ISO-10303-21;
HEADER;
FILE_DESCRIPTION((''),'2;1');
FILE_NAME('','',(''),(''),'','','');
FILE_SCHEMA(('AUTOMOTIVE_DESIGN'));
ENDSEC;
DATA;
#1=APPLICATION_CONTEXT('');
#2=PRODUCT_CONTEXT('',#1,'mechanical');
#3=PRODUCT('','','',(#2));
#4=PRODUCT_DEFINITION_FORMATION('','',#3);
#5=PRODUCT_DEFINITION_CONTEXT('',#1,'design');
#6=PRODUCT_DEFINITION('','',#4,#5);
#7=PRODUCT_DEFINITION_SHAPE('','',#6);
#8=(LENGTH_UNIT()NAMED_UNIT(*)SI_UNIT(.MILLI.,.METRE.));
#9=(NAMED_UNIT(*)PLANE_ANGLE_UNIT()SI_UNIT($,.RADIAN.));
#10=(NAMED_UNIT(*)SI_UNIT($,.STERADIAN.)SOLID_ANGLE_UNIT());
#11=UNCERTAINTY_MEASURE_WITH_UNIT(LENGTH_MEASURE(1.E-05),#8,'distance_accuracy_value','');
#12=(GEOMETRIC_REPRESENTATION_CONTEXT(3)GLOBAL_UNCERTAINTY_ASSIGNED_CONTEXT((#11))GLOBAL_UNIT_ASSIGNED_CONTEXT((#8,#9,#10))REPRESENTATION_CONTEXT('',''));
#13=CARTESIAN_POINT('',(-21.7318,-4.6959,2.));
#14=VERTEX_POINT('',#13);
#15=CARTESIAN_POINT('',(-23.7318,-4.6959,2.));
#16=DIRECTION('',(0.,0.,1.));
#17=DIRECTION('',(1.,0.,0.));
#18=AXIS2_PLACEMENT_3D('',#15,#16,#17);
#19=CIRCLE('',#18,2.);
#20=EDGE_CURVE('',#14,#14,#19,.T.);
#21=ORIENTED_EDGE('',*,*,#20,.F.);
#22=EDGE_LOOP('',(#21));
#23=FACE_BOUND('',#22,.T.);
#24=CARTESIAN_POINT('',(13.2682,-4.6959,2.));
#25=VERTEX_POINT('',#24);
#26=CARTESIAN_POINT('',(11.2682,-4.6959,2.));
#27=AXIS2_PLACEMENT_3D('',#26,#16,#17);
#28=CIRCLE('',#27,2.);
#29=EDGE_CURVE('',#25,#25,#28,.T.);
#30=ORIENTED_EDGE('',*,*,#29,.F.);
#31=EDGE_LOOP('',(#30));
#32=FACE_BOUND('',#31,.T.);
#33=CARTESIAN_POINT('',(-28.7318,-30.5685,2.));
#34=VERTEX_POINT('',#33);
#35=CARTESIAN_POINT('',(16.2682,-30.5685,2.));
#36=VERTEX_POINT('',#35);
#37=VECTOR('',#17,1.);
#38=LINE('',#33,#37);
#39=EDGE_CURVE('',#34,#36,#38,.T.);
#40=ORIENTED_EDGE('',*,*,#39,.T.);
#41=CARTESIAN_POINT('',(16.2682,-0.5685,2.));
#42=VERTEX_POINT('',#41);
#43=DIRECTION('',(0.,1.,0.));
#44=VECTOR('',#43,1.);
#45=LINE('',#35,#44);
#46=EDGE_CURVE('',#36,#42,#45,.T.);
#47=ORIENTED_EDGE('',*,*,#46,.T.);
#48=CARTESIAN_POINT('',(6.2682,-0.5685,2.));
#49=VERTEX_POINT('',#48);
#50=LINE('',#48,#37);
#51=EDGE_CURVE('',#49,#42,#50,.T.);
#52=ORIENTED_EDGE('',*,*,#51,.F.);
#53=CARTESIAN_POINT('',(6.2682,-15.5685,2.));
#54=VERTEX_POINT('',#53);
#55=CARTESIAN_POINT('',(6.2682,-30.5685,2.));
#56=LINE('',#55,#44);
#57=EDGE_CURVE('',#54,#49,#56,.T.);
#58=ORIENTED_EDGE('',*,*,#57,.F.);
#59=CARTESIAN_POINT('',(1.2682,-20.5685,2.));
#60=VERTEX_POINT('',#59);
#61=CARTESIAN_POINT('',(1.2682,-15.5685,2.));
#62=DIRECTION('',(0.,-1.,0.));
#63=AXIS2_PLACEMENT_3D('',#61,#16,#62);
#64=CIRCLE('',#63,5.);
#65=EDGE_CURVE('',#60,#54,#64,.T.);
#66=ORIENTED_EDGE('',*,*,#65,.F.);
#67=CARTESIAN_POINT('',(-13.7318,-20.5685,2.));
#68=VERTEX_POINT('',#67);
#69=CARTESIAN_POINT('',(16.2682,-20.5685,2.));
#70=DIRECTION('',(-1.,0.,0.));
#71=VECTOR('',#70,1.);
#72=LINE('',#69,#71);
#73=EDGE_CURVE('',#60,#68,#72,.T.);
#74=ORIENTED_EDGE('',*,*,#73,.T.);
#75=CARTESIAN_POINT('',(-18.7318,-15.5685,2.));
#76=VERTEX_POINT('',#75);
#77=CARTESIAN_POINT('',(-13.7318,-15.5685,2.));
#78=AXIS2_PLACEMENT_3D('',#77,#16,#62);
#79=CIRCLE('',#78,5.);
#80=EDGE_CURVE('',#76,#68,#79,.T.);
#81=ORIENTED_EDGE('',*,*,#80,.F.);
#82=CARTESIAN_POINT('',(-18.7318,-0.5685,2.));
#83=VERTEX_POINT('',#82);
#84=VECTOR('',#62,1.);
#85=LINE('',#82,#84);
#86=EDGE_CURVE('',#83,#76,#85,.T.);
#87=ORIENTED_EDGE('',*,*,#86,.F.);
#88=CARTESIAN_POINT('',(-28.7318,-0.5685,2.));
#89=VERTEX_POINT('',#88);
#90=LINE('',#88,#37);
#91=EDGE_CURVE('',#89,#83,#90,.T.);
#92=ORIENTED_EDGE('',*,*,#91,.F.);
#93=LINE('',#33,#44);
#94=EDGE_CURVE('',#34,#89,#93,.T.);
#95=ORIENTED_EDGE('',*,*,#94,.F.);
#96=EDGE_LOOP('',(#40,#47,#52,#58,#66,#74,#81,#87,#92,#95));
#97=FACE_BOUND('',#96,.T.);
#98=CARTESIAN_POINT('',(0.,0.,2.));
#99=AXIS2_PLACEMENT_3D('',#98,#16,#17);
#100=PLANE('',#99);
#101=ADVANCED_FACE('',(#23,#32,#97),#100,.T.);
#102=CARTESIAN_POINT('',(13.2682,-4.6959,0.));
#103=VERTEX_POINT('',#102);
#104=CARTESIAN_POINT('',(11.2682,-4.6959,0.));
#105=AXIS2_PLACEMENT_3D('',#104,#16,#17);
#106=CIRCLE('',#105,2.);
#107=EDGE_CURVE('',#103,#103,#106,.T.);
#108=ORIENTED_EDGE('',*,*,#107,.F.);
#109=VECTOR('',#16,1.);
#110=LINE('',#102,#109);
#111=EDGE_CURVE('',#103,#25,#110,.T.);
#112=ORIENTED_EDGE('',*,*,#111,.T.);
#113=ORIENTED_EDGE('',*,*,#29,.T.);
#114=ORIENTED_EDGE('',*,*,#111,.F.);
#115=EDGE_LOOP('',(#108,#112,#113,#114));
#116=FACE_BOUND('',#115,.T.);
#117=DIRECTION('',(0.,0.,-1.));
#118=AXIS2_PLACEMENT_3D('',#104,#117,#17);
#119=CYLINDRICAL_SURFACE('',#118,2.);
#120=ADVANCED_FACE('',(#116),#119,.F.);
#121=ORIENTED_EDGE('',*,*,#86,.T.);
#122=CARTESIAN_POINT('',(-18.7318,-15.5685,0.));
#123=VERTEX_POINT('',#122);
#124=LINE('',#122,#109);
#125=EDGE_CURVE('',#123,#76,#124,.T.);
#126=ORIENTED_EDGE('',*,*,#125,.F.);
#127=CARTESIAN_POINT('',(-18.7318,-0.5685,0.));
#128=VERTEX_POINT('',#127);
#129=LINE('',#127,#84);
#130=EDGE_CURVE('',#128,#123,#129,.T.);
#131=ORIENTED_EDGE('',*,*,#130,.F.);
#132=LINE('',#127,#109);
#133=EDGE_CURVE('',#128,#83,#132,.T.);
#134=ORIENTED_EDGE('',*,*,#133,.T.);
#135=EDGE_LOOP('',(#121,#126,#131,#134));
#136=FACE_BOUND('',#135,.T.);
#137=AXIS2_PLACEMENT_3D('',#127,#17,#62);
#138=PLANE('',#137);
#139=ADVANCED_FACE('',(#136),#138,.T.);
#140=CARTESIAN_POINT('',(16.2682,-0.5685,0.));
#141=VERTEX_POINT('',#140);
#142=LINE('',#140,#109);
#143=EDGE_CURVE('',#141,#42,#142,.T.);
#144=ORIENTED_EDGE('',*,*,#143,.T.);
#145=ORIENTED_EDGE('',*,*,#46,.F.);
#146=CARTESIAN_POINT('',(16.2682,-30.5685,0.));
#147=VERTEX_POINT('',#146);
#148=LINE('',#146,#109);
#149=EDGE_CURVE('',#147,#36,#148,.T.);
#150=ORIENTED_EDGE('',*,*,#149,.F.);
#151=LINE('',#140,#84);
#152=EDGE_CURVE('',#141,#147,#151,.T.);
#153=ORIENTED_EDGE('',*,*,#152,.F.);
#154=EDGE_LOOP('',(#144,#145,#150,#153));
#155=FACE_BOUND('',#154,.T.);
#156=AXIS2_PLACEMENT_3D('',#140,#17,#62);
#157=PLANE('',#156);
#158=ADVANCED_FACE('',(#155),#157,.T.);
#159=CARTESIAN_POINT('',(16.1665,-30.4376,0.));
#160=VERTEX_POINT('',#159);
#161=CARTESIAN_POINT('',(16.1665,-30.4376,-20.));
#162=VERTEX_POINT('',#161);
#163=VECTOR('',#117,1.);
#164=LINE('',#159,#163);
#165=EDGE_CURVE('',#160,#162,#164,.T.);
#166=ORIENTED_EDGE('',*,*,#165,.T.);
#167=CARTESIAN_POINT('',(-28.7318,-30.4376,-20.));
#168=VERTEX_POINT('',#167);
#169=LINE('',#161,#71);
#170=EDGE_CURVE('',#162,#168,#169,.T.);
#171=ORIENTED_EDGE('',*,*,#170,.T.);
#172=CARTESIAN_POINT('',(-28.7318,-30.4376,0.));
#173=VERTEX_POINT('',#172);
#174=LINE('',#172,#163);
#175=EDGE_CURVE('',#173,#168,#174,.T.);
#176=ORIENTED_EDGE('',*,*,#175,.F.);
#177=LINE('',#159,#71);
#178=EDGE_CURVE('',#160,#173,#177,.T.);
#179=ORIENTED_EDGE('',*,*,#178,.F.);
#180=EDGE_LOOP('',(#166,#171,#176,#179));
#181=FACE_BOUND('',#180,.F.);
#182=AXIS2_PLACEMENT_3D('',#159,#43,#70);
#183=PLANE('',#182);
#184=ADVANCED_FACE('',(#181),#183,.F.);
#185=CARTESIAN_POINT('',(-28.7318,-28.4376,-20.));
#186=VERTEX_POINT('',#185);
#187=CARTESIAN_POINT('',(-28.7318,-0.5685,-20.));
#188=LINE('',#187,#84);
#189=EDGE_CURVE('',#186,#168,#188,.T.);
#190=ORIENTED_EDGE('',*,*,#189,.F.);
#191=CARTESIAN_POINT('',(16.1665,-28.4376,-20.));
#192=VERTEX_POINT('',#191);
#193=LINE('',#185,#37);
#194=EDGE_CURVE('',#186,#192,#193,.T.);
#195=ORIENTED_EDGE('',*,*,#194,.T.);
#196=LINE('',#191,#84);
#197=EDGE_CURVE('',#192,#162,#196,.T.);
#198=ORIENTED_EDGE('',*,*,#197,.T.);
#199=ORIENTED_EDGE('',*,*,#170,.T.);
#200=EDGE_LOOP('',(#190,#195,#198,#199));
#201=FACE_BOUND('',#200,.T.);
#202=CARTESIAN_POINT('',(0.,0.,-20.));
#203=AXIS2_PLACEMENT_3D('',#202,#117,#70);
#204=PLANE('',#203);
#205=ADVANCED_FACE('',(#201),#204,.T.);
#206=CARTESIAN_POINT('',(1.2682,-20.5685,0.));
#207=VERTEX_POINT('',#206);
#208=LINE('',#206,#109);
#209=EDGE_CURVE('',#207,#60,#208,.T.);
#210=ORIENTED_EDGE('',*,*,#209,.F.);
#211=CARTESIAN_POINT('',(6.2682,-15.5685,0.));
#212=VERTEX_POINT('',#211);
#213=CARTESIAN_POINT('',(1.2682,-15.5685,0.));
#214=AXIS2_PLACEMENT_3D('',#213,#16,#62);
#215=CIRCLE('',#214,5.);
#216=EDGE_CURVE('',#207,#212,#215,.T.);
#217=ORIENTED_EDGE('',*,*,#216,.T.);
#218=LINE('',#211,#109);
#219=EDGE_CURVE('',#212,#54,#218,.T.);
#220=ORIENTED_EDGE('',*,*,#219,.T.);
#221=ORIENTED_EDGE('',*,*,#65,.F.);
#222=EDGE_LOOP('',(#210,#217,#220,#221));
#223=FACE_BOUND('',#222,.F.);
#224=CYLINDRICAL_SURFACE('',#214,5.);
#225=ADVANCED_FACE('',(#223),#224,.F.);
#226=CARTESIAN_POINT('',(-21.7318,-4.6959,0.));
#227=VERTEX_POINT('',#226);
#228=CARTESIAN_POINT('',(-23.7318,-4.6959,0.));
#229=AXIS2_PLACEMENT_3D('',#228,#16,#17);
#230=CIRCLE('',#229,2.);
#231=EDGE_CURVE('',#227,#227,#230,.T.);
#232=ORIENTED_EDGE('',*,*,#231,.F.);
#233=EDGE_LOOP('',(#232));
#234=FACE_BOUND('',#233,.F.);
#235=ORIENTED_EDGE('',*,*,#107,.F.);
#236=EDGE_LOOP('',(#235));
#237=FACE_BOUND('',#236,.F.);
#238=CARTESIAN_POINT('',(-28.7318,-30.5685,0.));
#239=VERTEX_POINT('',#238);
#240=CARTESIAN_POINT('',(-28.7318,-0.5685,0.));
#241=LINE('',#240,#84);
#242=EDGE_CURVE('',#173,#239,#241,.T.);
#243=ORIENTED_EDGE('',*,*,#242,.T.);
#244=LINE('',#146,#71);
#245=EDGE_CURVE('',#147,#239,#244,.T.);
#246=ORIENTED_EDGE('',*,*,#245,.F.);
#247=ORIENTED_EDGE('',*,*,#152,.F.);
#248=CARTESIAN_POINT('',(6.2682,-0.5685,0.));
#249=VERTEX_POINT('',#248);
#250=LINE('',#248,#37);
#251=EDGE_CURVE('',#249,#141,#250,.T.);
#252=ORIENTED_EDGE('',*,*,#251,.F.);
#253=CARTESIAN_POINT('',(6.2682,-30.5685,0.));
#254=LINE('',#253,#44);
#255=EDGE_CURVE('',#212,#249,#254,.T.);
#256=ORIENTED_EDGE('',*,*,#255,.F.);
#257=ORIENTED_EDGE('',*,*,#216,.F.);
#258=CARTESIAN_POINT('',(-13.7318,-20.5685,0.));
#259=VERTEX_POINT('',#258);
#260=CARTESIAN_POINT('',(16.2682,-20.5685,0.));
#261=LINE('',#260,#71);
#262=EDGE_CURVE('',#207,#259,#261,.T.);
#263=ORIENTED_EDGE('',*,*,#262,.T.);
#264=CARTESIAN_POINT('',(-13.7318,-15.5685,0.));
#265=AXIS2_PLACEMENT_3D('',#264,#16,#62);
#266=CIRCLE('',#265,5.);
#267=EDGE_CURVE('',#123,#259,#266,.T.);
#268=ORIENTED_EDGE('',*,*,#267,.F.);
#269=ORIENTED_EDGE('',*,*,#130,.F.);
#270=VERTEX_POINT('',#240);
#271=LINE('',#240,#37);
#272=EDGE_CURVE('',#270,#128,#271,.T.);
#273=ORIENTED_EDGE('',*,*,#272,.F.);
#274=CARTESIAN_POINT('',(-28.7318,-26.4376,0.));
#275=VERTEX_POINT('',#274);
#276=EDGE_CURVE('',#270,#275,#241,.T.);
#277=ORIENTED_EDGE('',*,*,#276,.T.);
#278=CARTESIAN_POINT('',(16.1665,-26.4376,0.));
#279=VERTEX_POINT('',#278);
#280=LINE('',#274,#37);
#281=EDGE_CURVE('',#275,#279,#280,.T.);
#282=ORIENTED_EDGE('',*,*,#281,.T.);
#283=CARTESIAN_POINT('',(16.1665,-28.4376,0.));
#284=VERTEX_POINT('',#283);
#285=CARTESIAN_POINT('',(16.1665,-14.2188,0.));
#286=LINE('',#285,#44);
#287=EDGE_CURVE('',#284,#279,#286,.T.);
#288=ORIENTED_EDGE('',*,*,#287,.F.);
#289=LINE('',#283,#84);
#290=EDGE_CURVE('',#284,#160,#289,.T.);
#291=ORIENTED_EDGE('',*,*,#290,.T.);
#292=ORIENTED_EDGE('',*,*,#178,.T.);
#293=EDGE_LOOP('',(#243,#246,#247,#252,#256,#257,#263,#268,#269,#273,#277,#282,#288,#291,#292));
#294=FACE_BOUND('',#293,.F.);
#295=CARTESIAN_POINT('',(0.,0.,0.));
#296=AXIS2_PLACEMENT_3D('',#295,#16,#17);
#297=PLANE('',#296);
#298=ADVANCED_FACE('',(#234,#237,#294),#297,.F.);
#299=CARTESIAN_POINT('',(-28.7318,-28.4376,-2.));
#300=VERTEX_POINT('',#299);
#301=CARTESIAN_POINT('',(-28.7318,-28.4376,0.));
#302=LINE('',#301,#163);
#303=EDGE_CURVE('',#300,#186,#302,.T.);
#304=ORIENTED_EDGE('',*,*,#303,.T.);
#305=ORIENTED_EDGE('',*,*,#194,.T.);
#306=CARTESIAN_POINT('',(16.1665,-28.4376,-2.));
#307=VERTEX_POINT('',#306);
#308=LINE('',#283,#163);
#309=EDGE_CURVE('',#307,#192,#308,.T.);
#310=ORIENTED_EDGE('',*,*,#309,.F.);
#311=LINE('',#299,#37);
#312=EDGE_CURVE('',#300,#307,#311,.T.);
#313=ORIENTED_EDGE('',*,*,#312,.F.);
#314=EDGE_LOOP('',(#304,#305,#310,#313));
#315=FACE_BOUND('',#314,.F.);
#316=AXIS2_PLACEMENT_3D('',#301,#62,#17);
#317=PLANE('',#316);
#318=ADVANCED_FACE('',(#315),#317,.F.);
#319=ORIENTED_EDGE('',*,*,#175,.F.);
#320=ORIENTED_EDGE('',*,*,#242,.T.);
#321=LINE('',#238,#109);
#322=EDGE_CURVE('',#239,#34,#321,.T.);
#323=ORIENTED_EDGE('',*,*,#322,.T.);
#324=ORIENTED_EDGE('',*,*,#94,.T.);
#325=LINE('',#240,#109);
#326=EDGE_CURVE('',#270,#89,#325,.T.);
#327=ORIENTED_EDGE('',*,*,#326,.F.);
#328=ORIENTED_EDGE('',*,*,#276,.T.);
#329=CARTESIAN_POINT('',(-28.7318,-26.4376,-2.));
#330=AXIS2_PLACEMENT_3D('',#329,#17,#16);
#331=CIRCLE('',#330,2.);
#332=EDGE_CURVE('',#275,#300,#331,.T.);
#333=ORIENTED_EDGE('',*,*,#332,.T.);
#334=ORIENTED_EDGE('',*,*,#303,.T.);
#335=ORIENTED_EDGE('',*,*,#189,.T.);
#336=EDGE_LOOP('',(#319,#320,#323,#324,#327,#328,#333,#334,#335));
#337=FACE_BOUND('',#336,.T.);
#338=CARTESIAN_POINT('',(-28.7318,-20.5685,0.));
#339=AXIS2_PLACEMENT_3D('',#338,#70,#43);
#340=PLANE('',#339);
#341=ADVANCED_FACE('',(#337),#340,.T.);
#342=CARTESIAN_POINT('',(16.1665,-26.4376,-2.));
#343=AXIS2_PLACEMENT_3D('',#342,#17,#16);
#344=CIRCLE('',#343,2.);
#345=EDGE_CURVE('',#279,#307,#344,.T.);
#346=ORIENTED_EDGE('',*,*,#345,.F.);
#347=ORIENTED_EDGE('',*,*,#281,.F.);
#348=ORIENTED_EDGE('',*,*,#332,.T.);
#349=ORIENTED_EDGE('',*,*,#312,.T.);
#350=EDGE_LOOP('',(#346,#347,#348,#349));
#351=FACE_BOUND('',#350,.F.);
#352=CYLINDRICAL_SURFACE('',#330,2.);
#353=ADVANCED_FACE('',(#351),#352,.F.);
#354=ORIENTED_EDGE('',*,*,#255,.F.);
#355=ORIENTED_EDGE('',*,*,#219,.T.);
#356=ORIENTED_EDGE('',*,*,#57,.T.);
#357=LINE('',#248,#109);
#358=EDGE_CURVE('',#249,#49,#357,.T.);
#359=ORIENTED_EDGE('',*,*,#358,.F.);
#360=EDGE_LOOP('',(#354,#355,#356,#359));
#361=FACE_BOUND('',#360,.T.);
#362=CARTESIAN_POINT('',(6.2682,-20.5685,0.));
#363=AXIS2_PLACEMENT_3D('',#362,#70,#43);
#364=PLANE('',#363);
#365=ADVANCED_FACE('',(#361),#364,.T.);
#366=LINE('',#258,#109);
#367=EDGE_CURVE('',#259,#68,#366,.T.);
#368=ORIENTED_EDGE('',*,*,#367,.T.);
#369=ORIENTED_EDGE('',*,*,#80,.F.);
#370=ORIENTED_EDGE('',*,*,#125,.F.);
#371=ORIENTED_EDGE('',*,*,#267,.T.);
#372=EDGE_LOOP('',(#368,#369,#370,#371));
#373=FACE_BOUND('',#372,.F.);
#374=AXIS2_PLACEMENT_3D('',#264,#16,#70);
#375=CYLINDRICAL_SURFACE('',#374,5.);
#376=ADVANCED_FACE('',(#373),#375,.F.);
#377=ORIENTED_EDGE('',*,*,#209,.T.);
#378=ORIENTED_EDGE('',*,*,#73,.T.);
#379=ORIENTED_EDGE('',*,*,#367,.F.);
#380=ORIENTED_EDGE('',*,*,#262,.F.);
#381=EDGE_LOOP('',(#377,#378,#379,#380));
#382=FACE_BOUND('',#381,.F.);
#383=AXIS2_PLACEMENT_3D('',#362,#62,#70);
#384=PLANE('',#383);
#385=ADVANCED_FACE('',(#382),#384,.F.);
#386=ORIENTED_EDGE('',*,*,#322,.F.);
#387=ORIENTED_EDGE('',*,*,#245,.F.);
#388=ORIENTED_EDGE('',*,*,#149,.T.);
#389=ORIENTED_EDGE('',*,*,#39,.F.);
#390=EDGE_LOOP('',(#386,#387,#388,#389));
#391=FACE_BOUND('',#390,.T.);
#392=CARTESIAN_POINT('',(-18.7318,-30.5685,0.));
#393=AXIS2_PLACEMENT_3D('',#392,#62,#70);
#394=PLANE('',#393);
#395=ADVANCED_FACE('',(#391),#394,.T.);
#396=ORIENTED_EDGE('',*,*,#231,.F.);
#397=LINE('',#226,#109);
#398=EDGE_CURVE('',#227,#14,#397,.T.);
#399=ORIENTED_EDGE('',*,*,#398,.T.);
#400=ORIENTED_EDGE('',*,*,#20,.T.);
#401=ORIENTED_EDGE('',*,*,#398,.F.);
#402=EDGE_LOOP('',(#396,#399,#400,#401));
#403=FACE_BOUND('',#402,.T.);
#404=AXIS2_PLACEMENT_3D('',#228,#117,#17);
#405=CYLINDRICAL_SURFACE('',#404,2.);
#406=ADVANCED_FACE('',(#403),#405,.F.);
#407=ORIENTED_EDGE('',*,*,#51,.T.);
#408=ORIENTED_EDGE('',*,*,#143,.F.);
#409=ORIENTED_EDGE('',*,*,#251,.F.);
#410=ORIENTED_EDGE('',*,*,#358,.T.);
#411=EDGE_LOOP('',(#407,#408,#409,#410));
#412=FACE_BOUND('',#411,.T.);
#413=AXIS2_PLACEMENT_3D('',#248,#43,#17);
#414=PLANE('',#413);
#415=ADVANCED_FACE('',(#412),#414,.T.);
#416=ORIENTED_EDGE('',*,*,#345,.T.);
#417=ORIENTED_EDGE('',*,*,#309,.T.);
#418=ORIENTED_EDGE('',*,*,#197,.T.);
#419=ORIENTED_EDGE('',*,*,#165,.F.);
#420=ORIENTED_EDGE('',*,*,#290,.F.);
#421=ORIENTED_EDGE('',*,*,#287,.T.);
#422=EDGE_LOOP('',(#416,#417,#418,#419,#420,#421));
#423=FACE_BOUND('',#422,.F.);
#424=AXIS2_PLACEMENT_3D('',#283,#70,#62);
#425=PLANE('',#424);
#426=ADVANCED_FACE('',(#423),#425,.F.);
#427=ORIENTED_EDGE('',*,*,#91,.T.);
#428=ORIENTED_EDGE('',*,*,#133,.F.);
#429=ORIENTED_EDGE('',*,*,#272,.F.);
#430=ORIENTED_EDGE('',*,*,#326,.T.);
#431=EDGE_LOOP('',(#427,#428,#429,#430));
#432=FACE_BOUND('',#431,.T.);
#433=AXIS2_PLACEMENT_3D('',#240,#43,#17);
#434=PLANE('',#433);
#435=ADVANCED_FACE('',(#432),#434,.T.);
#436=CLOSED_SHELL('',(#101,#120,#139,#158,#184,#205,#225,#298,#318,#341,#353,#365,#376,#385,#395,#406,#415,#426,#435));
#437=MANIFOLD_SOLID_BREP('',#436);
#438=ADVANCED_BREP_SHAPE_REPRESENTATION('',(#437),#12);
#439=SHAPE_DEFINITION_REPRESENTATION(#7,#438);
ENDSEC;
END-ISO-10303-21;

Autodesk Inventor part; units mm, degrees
ref_plane "YZ Plane" through (0, 0, 0) normal (1, 0, 0) x (0, 1, 0)
ref_plane "XZ Plane" through (0, 0, 0) normal (0, 1, 0) x (-1, 0, 0)
ref_plane "XY Plane" through (0, 0, 0) normal (0, 0, 1) x (1, 0, 0)
sketch "Sketch1" plane through (0, 0, 0) normal (0, 0, 1) x (1, 0, 0)
  line L0 (-28.7318, -0.5685) -> (-18.7318, -0.5685)
  line L1 (-18.7318, -0.5685) -> (-18.7318, -30.5685)
  line L2 (-18.7318, -30.5685) -> (-28.7318, -30.5685)
  line L3 (-28.7318, -30.5685) -> (-28.7318, -0.5685)
  line L4 (-28.7318, -30.5685) -> (16.2682, -30.5685)
  line L5 (16.2682, -30.5685) -> (16.2682, -20.5685)
  line L6 (16.2682, -20.5685) -> (-28.7318, -20.5685)
  line L7 (-28.7318, -20.5685) -> (-28.7318, -30.5685)
  line L8 (16.2682, -30.5685) -> (6.2682, -30.5685)
  line L9 (6.2682, -30.5685) -> (6.2682, -0.5685)
  line L10 (6.2682, -0.5685) -> (16.2682, -0.5685)
  line L11 (16.2682, -0.5685) -> (16.2682, -30.5685)
  circle A0 centre (-23.7318, -4.6959) radius 2
  circle A1 centre (11.2682, -4.6959) radius 2
  point P0 (0, 0)
  dimension "d0" = 45
  dimension "d1" = 10
  dimension "d2" = 10
  dimension "d3" = 10
  dimension "d4" = 30
  dimension "d5" = 4
  dimension "d6" = 4
extrude "Extrusion1" add sketch "Sketch1" along normal blind 2
fillet "Fillet1" radius 5 2 edges at (-18.7318, -20.5685, 1) (6.2682, -20.5685, 1)
sketch "Sketch2" plane through (0, 0, 0) normal (0, 0, -1) x (-1, 0, 0)
  line L0 (28.7318, -0.5685) -> (28.7318, -30.5685) projected
  line L1 (-16.1665, -30.4376) -> (28.7318, -30.4376)
  line L2 (28.7318, -30.4376) -> (28.7318, -28.4376)
  line L3 (28.7318, -28.4376) -> (-16.1665, -28.4376)
  line L4 (-16.1665, -28.4376) -> (-16.1665, -30.4376)
  point P0 (0, 0)
  dimension "d10" = 2
extrude "Extrusion2" add sketch "Sketch2" along normal blind 20
fillet "Fillet2" radius 2 1 edges at (-6.2826, -28.4376, 0)
properties part number "stpper holder"
